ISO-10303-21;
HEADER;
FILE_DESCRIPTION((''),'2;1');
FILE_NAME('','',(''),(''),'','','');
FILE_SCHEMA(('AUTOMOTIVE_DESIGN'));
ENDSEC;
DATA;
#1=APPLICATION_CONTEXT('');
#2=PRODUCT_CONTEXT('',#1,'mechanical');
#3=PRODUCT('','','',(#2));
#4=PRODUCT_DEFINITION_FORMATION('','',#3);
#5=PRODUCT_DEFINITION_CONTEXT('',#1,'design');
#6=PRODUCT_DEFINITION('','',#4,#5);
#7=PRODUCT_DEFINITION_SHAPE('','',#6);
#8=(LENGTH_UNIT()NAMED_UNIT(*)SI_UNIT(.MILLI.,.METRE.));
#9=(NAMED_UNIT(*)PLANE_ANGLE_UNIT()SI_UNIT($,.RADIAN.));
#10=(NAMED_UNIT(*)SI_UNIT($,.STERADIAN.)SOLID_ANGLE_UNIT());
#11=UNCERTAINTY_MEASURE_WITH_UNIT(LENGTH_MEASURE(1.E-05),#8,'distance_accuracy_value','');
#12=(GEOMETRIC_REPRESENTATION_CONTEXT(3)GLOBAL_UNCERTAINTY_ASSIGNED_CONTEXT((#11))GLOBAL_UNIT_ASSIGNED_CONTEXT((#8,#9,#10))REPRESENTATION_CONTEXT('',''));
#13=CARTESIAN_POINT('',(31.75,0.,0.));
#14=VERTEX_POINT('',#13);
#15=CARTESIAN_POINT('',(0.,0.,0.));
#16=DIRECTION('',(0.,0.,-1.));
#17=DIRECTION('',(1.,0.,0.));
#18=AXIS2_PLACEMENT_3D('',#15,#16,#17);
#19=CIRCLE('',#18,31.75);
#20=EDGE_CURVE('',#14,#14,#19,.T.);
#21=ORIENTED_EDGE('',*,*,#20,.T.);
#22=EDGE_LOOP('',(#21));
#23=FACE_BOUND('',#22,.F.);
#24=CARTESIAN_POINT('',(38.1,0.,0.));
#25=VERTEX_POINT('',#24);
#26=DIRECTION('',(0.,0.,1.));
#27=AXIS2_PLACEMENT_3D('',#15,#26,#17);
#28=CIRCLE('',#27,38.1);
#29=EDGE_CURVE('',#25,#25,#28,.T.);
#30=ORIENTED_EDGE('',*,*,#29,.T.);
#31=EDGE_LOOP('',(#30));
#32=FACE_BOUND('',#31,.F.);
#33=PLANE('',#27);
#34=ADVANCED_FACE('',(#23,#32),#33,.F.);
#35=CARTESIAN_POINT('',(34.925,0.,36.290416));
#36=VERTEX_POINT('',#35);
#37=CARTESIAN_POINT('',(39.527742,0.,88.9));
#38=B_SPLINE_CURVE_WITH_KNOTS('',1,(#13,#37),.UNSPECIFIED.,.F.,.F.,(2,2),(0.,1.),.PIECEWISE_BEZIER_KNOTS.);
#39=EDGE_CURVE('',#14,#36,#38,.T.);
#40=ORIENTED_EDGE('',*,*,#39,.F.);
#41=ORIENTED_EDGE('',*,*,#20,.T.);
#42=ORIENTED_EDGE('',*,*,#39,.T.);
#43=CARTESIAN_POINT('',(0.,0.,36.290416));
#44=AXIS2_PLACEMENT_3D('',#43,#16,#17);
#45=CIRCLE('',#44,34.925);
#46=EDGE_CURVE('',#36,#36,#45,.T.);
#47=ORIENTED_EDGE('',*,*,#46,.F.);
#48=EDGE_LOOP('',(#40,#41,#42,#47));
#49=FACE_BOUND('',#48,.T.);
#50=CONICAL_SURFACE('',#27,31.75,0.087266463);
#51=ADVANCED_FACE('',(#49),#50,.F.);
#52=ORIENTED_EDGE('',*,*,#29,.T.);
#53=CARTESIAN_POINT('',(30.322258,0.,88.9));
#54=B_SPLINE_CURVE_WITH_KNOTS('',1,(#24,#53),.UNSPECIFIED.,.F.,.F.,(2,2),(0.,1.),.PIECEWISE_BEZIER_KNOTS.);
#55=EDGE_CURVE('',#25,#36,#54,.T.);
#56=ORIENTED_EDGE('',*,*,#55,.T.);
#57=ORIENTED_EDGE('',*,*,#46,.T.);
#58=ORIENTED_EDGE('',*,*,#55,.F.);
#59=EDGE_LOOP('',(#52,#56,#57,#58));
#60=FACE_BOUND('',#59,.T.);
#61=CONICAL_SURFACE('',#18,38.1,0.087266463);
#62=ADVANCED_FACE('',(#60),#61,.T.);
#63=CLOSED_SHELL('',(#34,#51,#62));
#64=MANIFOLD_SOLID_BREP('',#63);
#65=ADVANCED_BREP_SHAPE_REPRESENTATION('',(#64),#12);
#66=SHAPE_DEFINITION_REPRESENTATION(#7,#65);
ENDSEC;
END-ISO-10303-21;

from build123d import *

# Parameters (mm, degrees)
F0_R     = 38.1
F0_R_2   = 31.75
F1_DEPTH = 88.9
F1_TAPER = 5


with BuildPart() as f1:
    # F0 (on Top) → F1 (new body)
    with BuildSketch(Plane.XY):
        Circle(F0_R)
        Circle(F0_R_2, mode=Mode.SUBTRACT)
    extrude(amount=F1_DEPTH, taper=F1_TAPER)


solid = f1.part
